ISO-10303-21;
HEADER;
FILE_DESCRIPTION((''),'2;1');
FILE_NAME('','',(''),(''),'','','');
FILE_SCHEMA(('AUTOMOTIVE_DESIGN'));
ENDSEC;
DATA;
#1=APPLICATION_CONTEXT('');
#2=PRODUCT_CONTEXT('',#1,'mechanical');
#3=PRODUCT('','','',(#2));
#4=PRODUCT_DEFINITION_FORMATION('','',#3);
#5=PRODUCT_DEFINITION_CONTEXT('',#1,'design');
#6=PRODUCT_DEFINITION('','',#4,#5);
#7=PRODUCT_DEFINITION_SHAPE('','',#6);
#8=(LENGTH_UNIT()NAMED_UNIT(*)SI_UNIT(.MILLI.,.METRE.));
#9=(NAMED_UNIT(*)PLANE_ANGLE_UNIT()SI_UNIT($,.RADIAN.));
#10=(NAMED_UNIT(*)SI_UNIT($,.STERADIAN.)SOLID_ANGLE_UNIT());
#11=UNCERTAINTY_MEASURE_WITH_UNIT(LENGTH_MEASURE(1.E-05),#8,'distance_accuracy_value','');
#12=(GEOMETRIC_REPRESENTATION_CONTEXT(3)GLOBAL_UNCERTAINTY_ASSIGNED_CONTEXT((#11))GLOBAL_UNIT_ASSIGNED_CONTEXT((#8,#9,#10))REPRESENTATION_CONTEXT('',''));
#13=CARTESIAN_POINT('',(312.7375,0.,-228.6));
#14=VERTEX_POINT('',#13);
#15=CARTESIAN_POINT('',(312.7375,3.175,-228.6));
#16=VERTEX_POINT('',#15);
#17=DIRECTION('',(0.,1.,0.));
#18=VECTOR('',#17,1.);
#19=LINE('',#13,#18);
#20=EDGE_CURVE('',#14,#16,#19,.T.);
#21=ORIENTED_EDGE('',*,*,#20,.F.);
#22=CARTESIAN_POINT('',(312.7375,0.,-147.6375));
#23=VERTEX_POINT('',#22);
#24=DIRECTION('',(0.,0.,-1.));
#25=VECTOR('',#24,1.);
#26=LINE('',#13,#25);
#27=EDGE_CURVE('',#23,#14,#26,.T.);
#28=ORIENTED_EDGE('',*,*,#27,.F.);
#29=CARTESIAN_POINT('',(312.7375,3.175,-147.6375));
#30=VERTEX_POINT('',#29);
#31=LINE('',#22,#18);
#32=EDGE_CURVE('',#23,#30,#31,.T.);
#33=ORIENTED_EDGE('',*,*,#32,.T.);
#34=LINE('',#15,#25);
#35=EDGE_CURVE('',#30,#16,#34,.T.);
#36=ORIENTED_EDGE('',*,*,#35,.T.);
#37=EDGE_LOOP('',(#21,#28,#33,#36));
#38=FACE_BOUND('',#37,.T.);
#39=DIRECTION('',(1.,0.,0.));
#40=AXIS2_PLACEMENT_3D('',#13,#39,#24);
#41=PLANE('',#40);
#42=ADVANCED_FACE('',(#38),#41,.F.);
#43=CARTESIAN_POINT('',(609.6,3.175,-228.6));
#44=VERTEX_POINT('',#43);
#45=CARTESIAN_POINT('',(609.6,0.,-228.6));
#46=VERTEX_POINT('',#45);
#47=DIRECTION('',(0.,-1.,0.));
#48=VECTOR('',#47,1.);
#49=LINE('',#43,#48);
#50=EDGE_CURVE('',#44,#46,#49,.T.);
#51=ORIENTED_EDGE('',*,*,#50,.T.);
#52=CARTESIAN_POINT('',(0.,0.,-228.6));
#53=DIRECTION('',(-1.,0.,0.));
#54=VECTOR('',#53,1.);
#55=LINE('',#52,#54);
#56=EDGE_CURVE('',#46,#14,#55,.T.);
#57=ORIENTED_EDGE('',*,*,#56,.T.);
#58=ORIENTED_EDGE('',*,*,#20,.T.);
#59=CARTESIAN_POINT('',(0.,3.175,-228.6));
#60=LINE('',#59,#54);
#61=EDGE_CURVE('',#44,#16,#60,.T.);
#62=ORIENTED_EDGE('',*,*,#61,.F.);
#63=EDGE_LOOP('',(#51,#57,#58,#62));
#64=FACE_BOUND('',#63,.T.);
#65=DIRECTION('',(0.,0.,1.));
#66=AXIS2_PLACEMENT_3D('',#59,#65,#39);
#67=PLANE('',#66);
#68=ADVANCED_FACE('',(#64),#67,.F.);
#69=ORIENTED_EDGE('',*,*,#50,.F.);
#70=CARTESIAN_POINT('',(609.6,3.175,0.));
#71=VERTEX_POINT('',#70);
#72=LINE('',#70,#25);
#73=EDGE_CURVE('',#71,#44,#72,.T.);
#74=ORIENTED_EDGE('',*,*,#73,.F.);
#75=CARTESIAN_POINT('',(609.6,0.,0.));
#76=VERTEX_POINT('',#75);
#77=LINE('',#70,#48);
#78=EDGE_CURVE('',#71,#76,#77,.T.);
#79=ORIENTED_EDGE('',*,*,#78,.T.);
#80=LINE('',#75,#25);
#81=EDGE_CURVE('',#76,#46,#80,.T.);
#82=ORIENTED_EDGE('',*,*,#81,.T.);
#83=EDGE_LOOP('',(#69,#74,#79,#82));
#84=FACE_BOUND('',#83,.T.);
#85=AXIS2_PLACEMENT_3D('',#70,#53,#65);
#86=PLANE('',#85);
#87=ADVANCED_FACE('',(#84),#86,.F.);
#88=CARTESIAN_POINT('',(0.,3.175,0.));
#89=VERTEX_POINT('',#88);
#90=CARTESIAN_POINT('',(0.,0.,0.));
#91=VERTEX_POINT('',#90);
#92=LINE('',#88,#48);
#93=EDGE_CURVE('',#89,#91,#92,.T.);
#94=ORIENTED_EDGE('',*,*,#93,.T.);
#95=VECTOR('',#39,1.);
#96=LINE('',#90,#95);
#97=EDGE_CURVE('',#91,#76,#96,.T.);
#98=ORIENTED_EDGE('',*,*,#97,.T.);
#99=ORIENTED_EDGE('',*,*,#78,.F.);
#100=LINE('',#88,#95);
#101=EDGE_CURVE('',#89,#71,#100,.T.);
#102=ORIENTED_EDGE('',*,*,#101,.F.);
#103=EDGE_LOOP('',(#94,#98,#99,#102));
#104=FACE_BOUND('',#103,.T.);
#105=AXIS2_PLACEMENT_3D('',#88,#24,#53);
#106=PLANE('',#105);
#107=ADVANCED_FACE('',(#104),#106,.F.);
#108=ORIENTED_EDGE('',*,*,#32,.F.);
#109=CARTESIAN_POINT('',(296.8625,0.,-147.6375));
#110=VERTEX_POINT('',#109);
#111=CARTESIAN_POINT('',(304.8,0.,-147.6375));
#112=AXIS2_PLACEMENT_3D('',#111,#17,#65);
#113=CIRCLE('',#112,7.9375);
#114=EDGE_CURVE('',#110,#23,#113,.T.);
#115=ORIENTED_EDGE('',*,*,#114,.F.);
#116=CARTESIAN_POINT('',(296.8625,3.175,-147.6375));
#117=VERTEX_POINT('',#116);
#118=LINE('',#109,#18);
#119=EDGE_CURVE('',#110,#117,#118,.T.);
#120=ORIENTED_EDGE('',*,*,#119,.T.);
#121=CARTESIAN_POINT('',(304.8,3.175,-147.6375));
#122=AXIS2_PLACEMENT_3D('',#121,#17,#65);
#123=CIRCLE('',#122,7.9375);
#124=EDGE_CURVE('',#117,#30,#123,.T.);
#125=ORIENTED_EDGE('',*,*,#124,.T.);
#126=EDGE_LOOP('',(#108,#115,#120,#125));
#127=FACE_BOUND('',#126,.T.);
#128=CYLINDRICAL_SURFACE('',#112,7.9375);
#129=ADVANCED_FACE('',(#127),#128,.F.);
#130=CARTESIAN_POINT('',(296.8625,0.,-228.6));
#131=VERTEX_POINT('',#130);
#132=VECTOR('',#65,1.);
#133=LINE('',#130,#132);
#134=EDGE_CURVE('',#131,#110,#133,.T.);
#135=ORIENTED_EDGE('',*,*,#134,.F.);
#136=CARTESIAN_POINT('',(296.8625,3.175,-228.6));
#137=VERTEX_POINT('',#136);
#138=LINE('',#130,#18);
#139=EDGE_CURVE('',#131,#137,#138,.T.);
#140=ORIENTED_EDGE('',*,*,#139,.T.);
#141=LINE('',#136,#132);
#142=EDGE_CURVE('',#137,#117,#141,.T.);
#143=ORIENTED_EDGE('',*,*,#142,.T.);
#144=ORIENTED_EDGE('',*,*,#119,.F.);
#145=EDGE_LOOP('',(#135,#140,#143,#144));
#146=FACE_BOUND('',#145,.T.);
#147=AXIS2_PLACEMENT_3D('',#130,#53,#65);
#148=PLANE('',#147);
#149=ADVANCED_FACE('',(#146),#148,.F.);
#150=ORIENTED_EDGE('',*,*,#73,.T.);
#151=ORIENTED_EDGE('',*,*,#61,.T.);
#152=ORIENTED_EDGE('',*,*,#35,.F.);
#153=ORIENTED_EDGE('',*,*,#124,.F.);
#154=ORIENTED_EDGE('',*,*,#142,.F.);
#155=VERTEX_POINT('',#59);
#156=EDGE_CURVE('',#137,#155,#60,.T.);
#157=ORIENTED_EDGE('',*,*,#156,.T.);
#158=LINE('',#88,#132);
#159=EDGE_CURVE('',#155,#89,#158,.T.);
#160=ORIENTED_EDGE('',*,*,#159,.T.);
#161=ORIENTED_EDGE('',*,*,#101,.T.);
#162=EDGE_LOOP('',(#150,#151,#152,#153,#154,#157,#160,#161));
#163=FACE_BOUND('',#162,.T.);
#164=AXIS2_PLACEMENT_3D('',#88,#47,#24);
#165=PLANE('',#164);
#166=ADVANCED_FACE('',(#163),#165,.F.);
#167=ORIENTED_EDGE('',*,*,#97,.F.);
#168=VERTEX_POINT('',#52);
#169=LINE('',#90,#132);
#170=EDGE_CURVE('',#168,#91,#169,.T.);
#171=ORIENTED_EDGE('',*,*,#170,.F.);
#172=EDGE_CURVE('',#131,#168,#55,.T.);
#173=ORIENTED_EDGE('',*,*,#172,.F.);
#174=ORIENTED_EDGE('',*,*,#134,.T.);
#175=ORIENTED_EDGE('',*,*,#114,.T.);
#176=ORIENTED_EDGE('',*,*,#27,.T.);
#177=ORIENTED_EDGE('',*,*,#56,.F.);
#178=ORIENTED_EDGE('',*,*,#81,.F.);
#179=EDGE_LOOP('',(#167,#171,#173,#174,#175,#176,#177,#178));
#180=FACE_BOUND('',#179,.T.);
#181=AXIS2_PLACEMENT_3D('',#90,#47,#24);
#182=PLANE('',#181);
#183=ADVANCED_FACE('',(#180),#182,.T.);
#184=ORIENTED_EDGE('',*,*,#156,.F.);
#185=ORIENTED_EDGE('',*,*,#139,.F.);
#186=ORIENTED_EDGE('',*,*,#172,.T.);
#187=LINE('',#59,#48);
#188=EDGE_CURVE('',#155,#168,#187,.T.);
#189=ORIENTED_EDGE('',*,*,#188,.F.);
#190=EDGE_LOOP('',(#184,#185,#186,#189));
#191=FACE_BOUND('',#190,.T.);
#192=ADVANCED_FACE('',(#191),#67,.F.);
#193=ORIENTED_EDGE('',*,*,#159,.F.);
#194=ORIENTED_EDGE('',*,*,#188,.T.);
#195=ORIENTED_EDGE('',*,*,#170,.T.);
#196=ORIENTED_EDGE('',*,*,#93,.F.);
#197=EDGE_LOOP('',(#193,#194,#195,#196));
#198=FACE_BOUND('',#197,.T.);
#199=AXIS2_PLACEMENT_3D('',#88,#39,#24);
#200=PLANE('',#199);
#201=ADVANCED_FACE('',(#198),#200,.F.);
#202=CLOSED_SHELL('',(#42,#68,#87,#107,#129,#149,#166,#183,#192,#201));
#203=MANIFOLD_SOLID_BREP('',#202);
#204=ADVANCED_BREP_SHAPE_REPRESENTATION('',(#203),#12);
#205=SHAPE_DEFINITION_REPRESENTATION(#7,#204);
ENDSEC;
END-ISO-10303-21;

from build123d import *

# Parameters (mm, degrees)
SKETCH1_W           = 609.6
SKETCH1_H           = 228.6
BOSS_EXTRUDE1_DEPTH = 3.175
CUT_EXTRUDE1_DEPTH  = 4.175


with BuildPart() as part:
    # Sketch1 → Boss-Extrude1 (new body)
    with BuildSketch(Plane(origin=(0, 0, 0), x_dir=(1, 0, 0), z_dir=(0, 1, 0))):
        with Locations((304.8, 114.3)):
            Rectangle(SKETCH1_W, SKETCH1_H)
    extrude(amount=BOSS_EXTRUDE1_DEPTH)

    # Sketch2 → Cut-Extrude1 (cut, through all)
    with BuildSketch(Plane(origin=(0, 3.175, 0), x_dir=(1, 0, 0), z_dir=(0, 1, 0))):
        with BuildLine():
            Line((296.8625, 228.6), (312.7375, 228.6))
            Line((312.7375, 228.6), (312.7375, 147.6375))
            ThreePointArc((312.7375, 147.6375), (304.8, 139.7), (296.8625, 147.6375))
            Line((296.8625, 147.6375), (296.8625, 228.6))
        make_face()
    extrude(amount=-CUT_EXTRUDE1_DEPTH, mode=Mode.SUBTRACT)


solid = part.part
